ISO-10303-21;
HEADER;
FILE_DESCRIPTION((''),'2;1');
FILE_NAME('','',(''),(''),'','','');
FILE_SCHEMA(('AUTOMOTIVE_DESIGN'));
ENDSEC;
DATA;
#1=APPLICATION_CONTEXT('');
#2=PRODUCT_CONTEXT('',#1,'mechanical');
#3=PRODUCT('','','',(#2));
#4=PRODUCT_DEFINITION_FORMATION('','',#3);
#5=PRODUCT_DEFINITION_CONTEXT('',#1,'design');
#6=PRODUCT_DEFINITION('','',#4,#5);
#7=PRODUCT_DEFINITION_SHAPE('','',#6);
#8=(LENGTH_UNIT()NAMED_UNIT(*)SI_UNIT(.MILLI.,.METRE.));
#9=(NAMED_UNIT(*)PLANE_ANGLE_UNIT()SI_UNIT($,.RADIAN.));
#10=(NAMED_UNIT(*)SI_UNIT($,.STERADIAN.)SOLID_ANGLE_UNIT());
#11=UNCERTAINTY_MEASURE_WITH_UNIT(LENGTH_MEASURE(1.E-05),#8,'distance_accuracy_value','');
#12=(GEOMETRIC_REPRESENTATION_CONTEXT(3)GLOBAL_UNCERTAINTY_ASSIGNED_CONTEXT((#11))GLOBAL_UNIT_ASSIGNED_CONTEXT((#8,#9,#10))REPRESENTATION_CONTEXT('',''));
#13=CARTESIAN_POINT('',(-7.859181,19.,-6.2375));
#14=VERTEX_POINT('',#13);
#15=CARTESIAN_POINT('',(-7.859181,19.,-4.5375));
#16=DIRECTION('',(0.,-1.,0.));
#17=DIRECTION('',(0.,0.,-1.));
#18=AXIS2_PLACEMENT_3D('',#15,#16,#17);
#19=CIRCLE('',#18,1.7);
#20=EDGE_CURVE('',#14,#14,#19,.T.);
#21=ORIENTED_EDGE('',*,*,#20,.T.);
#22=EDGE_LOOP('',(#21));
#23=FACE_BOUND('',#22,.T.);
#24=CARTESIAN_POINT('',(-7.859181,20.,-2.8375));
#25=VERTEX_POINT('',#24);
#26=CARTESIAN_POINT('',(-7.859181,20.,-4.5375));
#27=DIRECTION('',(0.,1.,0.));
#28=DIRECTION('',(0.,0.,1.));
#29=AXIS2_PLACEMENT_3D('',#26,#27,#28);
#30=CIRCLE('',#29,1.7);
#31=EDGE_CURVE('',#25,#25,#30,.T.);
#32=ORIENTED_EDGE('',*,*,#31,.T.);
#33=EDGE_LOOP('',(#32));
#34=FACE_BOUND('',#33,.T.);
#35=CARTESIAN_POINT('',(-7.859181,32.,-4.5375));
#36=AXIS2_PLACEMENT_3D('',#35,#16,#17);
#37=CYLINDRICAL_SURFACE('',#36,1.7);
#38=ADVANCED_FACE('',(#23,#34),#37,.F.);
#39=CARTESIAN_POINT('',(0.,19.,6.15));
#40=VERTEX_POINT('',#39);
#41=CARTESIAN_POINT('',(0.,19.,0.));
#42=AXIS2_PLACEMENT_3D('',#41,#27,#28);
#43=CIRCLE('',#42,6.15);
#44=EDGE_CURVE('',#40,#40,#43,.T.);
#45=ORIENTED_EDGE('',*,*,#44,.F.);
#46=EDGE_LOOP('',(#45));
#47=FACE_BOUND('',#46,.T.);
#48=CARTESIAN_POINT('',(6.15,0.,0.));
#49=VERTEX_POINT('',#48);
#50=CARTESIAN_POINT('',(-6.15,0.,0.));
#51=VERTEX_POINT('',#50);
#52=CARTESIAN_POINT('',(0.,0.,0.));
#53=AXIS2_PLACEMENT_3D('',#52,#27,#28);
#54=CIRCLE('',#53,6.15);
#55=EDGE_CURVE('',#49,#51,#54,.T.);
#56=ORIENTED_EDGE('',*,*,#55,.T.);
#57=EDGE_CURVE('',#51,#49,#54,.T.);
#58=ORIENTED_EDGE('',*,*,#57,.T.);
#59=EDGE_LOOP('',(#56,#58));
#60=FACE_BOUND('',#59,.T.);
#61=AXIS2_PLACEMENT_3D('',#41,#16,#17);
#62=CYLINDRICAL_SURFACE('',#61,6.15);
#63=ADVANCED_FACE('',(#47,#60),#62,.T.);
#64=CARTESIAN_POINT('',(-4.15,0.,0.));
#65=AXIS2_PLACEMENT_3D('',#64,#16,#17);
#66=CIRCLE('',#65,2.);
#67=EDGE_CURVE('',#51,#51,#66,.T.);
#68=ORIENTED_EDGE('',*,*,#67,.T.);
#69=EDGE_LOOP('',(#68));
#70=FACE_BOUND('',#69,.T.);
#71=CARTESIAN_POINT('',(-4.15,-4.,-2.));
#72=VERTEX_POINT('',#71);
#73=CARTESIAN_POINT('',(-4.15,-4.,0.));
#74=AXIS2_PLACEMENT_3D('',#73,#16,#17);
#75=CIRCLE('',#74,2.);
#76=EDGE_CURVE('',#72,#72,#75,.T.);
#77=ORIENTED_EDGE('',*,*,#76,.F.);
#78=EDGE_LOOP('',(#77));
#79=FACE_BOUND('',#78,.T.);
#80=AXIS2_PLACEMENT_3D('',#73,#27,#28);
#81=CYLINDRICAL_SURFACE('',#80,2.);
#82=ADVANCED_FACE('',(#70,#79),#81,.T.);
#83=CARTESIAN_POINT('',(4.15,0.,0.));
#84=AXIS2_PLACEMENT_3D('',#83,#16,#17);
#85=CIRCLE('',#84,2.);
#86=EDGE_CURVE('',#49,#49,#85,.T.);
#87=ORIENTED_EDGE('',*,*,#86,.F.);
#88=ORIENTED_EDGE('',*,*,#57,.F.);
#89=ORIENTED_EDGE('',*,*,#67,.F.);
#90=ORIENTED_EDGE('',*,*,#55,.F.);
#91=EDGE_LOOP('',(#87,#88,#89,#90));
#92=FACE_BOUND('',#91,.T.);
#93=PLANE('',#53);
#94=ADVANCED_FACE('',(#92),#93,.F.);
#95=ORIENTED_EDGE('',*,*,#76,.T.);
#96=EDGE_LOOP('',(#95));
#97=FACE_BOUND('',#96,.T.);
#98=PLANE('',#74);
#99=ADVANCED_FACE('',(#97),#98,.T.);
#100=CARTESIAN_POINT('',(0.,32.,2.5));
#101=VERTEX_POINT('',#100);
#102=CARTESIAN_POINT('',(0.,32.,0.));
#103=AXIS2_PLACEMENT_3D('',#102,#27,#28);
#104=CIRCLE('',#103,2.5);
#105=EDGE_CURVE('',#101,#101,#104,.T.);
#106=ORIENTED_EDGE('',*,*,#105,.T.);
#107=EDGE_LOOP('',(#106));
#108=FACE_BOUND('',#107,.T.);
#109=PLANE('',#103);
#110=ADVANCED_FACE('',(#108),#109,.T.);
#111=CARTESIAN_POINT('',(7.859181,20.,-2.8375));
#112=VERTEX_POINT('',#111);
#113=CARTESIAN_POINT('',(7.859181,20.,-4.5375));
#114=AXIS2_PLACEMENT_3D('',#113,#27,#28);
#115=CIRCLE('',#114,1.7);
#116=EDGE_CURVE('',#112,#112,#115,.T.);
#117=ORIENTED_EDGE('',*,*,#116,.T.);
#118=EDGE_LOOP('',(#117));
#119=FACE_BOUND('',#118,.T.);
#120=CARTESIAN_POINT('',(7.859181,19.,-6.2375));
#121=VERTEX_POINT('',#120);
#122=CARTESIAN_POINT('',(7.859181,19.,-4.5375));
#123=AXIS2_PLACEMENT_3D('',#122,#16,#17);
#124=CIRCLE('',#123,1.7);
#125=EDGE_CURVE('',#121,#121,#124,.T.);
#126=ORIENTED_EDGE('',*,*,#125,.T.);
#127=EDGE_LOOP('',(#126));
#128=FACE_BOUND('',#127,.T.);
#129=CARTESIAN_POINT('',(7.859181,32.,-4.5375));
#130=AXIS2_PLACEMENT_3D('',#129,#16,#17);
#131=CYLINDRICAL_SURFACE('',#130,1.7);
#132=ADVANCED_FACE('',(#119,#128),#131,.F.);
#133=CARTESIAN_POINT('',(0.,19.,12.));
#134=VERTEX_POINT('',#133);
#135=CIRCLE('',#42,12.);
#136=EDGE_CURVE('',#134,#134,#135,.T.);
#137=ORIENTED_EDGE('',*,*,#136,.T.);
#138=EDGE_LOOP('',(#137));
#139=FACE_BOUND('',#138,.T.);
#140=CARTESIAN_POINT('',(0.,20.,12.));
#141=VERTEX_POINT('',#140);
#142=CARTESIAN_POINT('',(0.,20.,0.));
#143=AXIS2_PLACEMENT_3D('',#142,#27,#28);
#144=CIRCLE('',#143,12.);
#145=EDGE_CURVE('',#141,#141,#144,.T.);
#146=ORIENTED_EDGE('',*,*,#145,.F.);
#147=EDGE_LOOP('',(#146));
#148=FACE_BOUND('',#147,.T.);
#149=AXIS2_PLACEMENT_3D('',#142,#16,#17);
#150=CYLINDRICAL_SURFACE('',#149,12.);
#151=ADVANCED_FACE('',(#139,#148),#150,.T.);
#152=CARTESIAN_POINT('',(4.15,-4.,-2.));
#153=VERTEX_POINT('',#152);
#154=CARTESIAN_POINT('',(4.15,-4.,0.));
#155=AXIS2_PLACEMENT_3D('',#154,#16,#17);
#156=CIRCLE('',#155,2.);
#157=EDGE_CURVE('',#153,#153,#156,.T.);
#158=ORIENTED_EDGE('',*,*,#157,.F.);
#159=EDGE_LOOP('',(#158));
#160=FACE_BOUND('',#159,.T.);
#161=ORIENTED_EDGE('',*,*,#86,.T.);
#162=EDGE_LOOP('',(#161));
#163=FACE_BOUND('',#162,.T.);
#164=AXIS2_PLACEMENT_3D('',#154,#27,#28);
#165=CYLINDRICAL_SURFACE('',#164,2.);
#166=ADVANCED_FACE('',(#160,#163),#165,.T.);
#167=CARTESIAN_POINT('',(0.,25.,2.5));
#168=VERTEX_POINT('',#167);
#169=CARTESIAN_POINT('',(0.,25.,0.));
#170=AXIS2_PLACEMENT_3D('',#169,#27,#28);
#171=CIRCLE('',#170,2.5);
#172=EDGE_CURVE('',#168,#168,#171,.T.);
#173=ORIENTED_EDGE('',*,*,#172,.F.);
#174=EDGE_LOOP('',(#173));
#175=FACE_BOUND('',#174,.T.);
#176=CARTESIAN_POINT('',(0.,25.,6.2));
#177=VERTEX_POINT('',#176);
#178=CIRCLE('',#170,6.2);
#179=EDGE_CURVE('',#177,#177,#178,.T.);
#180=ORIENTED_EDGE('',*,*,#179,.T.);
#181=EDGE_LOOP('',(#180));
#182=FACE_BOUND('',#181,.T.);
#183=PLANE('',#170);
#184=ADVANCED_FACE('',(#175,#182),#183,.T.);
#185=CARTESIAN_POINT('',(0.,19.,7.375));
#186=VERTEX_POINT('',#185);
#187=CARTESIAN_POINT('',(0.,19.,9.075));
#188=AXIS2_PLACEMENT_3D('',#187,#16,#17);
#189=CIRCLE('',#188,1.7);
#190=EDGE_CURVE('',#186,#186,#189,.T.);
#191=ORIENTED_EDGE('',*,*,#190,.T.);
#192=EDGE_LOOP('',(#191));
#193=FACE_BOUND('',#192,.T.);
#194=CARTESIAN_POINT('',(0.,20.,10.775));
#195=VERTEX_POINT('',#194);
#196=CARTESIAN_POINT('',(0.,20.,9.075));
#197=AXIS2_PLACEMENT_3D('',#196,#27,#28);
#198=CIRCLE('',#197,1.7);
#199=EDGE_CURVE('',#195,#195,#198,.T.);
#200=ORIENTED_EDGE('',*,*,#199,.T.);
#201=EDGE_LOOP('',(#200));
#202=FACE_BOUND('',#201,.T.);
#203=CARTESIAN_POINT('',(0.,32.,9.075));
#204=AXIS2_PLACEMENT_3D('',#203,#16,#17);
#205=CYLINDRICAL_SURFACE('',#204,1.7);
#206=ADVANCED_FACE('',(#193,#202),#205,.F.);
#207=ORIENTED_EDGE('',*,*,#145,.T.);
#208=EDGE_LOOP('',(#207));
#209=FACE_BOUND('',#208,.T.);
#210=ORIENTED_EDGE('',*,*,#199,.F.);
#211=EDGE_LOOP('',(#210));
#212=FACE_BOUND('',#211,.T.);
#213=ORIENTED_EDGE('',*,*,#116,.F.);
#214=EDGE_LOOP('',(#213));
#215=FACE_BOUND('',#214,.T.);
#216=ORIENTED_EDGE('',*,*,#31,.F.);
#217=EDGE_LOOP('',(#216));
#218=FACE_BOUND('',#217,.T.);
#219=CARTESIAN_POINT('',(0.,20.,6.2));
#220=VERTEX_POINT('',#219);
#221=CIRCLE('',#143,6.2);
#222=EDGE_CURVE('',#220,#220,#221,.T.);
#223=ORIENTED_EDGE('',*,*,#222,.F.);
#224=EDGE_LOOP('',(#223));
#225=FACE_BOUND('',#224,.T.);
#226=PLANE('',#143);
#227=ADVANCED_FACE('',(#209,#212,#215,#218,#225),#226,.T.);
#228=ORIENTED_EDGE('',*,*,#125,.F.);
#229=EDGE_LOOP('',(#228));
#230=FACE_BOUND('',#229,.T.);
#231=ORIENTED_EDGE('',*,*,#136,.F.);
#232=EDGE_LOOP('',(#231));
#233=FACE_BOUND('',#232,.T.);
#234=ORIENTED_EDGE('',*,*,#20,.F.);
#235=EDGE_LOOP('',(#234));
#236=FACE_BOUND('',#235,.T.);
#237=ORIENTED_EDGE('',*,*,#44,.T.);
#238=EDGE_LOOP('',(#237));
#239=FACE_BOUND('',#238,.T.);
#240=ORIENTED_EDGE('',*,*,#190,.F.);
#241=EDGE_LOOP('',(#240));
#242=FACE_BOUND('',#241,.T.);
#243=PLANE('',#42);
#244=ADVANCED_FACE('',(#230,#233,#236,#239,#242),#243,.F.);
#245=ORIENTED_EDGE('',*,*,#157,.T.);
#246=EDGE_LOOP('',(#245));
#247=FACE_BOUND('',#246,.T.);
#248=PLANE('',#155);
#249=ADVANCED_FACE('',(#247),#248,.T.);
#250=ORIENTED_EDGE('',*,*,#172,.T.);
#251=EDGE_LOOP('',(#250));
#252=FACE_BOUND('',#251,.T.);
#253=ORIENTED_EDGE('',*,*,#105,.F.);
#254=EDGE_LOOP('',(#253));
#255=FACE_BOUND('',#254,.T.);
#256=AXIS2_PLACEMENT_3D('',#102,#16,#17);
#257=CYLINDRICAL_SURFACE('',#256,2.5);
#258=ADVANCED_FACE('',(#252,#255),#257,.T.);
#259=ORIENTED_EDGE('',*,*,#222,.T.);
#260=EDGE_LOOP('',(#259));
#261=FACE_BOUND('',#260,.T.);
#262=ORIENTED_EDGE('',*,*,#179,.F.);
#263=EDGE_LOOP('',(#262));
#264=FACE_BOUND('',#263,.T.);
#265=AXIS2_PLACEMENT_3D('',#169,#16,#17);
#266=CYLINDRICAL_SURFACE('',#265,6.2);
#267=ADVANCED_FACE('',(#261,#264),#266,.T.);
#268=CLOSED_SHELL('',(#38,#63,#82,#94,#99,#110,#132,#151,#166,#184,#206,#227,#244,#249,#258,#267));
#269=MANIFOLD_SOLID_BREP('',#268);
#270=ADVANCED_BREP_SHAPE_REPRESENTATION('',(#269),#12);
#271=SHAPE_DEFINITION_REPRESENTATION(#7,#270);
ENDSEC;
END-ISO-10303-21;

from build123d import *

# Parameters (mm, degrees)
SKETCH1_R           = 6.15
BOSS_EXTRUDE1_DEPTH = 19
SKETCH2_R           = 12
BOSS_EXTRUDE2_DEPTH = 1
SKETCH3_R           = 6.2
BOSS_EXTRUDE3_DEPTH = 5
SKETCH4_R           = 2.5
BOSS_EXTRUDE4_DEPTH = 7
SKETCH5_R           = 2
BOSS_EXTRUDE5_DEPTH = 4
SKETCH6_R           = 1.7
CUT_EXTRUDE1_DEPTH  = 29.583211856


with BuildPart() as part:
    # Sketch1 → Boss-Extrude1 (new body)
    with BuildSketch(Plane(origin=(0, 0, 0), x_dir=(1, 0, 0), z_dir=(0, 1, 0))):
        with Locations(Location((0, 0, 0), (0, 0, 270))):
            Circle(SKETCH1_R)
    extrude(amount=BOSS_EXTRUDE1_DEPTH)

    # Sketch2 → Boss-Extrude2 (add)
    with BuildSketch(Plane(origin=(0, 19, 0), x_dir=(1, 0, 0), z_dir=(0, 1, 0))):
        with Locations(Location((0, 0, 0), (0, 0, 270))):
            Circle(SKETCH2_R)
    extrude(amount=BOSS_EXTRUDE2_DEPTH)

    # Sketch3 → Boss-Extrude3 (add)
    with BuildSketch(Plane(origin=(0, 20, 0), x_dir=(1, 0, 0), z_dir=(0, 1, 0))):
        with Locations(Location((0, 0, 0), (0, 0, 270))):
            Circle(SKETCH3_R)
    extrude(amount=BOSS_EXTRUDE3_DEPTH)

    # Sketch4 → Boss-Extrude4 (add)
    with BuildSketch(Plane(origin=(0, 25, 0), x_dir=(1, 0, 0), z_dir=(0, 1, 0))):
        with Locations(Location((0, 0, 0), (0, 0, 270))):
            Circle(SKETCH4_R)
    extrude(amount=BOSS_EXTRUDE4_DEPTH)

    # Sketch5 → Boss-Extrude5 (add)
    with BuildSketch(Plane.XZ):
        with Locations(Location((-4.15, 0, 0), (0, 0, 179.999302513))):
            Circle(SKETCH5_R)
        with Locations(Location((4.15, 0, 0), (0, 0, 359.999302513))):
            Circle(SKETCH5_R)
    extrude(amount=BOSS_EXTRUDE5_DEPTH)

    # Sketch6 → Cut-Extrude1 (cut, through all)
    with BuildSketch(Plane.XZ.offset(-19)):
        with Locations(Location((0, 9.075, 0), (0, 0, 270))):
            Circle(SKETCH6_R)
        with Locations(Location((7.859180539, -4.5375, 0), (0, 0, 270))):
            Circle(SKETCH6_R)
        with Locations(Location((-7.859180539, -4.5375, 0), (0, 0, 270))):
            Circle(SKETCH6_R)
    extrude(amount=-CUT_EXTRUDE1_DEPTH, mode=Mode.SUBTRACT)


solid = part.part
